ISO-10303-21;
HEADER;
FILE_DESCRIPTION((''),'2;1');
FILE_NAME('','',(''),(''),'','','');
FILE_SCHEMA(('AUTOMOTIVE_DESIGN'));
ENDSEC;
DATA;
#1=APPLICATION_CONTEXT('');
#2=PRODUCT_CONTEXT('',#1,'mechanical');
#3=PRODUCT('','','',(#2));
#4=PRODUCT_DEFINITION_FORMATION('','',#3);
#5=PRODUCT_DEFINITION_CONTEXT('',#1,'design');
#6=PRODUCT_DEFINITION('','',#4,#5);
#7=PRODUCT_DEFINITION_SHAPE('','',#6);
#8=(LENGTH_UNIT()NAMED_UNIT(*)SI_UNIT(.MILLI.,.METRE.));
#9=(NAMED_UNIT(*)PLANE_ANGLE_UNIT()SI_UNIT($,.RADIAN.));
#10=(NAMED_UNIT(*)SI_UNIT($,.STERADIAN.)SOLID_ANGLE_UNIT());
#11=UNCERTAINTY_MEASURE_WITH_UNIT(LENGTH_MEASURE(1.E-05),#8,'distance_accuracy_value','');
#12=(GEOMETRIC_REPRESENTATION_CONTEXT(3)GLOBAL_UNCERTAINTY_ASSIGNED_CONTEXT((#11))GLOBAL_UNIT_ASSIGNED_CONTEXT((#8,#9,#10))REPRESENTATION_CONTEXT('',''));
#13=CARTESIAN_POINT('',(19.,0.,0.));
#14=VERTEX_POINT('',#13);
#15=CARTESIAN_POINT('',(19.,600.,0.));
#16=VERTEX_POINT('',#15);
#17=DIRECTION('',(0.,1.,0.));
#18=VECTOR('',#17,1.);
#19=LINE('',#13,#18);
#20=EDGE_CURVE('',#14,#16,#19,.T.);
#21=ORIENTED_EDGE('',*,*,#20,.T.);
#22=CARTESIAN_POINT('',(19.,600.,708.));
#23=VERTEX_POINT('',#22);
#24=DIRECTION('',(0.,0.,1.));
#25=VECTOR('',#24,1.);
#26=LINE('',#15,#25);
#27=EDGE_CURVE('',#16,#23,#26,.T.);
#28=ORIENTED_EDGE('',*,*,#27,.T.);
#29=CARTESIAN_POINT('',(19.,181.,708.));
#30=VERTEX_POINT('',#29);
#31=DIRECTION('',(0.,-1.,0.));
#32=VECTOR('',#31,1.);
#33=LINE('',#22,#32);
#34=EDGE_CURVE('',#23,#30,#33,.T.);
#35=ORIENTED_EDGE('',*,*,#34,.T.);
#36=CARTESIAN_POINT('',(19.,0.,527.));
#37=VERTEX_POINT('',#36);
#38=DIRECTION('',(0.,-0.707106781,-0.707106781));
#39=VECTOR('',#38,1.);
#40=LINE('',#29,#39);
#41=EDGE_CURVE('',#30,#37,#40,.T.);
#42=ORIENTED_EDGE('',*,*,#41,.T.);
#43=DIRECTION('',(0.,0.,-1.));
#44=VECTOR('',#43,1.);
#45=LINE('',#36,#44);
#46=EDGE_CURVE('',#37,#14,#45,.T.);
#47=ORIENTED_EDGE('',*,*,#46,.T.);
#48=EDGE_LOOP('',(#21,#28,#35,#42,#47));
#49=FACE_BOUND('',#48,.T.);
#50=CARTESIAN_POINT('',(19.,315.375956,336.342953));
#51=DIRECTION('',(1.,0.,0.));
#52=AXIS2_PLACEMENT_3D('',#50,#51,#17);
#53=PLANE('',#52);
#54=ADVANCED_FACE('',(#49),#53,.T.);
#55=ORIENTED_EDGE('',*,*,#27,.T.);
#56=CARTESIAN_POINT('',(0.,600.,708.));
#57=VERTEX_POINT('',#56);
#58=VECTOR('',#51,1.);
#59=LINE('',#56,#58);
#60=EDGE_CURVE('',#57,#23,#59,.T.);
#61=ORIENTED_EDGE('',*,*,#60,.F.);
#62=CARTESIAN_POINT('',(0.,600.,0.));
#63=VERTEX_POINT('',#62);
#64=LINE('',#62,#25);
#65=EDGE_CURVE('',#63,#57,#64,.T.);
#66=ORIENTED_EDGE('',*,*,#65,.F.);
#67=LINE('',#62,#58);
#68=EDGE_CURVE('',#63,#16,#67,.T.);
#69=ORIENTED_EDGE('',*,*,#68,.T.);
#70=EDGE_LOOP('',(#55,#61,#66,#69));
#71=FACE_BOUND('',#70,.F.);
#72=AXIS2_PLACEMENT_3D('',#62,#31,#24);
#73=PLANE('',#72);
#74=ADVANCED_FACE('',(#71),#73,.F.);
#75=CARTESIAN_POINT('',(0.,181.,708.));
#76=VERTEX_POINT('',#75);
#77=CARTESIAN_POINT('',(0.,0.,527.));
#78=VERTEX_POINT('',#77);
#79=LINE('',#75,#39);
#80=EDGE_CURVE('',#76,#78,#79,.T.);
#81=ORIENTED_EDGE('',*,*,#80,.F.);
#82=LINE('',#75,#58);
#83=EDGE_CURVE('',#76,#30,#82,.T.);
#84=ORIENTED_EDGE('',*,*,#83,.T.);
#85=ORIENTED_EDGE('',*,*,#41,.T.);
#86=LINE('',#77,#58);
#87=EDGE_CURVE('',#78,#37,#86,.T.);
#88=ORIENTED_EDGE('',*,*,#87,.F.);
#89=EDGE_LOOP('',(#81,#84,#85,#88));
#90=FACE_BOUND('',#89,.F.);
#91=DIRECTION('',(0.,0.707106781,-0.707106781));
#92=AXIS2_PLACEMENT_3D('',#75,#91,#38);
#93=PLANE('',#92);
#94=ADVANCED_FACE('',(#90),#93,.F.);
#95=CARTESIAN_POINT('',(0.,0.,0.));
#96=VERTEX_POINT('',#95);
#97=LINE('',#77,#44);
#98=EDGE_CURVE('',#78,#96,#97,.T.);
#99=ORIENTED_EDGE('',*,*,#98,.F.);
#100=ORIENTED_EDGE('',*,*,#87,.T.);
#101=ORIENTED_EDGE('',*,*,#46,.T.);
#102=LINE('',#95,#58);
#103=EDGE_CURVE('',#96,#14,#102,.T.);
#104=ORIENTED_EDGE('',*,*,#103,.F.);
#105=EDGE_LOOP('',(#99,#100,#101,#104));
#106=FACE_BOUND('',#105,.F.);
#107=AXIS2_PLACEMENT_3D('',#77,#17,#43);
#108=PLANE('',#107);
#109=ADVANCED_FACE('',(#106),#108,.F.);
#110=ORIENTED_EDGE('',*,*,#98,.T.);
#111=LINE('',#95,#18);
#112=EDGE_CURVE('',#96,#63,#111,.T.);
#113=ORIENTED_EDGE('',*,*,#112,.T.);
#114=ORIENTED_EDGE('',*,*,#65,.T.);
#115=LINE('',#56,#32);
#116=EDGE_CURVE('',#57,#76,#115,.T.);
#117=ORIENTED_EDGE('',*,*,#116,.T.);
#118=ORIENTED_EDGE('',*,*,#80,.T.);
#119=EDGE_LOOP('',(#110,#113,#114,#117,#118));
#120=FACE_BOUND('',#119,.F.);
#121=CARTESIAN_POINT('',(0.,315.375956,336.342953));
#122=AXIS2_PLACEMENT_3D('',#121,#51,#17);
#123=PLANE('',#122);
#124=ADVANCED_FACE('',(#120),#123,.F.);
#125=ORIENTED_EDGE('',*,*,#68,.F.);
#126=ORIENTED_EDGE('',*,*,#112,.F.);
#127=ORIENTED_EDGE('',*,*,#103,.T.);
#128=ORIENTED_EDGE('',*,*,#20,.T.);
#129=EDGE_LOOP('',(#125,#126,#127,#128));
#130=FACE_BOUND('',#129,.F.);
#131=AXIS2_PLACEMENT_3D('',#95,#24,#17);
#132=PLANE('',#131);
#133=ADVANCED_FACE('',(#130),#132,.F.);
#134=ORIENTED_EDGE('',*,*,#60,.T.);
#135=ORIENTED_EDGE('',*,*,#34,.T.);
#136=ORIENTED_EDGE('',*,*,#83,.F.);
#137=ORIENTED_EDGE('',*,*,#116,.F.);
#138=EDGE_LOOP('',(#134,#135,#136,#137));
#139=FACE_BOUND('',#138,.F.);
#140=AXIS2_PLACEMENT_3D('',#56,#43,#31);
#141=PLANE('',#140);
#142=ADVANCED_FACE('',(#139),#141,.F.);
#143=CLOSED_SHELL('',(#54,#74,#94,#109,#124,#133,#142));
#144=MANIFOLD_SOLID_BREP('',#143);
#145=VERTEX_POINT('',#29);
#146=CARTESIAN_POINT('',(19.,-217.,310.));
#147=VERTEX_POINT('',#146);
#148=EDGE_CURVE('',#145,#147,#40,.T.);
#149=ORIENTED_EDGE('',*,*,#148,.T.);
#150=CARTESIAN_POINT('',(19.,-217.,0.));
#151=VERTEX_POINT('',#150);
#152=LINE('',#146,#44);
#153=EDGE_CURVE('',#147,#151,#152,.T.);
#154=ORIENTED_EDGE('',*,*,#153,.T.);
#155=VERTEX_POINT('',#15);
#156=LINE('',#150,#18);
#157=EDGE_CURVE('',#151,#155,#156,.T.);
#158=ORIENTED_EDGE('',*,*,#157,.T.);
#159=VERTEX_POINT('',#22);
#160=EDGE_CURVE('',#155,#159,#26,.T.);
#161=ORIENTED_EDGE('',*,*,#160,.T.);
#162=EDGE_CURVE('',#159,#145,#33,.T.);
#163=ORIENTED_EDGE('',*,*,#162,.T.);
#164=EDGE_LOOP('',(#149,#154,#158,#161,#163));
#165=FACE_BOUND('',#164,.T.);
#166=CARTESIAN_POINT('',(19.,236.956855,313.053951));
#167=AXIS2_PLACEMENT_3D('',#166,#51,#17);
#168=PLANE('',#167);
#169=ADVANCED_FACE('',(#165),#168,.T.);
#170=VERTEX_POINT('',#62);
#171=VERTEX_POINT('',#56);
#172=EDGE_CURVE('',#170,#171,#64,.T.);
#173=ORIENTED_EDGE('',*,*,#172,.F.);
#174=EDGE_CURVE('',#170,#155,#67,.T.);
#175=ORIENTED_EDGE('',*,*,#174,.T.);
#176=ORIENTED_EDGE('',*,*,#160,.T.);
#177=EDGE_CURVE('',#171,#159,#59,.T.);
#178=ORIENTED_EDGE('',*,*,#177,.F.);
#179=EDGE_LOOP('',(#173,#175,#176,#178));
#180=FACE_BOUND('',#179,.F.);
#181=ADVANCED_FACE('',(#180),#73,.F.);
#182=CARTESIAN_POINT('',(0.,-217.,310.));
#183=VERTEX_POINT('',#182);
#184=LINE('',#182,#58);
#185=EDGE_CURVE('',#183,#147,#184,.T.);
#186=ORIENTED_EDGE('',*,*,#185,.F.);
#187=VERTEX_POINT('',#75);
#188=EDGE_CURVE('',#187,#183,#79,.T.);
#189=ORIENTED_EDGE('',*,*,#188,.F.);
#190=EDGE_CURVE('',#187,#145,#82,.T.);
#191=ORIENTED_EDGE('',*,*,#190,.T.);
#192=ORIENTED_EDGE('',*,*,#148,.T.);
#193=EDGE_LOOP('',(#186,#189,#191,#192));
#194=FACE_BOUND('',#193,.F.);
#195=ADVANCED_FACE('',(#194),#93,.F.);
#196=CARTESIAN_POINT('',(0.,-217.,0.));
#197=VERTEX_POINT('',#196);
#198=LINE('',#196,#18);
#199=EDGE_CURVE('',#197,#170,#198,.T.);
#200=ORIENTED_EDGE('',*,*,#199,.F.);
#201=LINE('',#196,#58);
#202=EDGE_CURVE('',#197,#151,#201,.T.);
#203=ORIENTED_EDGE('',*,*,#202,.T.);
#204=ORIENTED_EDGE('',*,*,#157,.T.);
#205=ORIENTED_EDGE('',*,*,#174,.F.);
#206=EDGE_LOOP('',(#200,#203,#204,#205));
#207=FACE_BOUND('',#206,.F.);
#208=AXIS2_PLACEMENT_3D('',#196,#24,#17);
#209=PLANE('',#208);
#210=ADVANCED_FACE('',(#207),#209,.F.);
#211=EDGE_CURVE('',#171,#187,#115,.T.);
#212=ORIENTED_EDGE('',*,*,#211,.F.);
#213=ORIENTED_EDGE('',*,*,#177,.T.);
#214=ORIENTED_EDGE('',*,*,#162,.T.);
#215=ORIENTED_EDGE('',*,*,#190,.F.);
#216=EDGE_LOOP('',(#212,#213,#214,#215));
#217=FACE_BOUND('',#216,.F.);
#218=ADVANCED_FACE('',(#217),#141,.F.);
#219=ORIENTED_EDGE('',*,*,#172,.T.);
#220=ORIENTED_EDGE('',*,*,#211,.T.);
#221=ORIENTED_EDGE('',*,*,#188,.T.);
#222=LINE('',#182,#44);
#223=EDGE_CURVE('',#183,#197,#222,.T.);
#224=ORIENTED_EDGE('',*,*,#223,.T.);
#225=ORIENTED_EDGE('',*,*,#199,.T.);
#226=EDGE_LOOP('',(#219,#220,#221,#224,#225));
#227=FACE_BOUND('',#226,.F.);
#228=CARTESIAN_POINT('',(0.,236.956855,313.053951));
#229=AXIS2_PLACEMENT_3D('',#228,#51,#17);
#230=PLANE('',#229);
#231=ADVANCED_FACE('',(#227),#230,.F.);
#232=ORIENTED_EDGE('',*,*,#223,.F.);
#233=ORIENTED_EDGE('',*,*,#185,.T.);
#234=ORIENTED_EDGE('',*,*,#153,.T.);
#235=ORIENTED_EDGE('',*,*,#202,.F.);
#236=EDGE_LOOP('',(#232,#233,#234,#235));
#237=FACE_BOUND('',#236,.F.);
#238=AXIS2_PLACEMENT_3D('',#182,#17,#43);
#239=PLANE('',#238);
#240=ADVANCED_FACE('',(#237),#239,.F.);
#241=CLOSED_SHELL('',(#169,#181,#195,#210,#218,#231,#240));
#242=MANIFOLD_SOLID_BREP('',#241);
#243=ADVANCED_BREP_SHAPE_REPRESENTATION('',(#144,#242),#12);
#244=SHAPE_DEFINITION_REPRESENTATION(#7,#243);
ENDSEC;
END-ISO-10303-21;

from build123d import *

# Parameters (mm, degrees)
F2_DEPTH = 19
F4_DEPTH = 19


with BuildPart() as f2:
    # F1 (on Right) → F2 (new body)
    with BuildSketch(Plane.YZ):
        Polygon((0, 527), (0, 0), (600, 0), (600, 708), (181, 708), align=None)
    extrude(amount=F2_DEPTH)


with BuildPart() as f4:
    # F3 (on Right) → F4 (new body)
    with BuildSketch(Plane.YZ):
        Polygon((181, 708), (0, 527), (-217, 310), (-217, 0), (0, 0), (600, 0), (600, 708), align=None)
    extrude(amount=F4_DEPTH)


solid = Compound([f2.part, f4.part])
